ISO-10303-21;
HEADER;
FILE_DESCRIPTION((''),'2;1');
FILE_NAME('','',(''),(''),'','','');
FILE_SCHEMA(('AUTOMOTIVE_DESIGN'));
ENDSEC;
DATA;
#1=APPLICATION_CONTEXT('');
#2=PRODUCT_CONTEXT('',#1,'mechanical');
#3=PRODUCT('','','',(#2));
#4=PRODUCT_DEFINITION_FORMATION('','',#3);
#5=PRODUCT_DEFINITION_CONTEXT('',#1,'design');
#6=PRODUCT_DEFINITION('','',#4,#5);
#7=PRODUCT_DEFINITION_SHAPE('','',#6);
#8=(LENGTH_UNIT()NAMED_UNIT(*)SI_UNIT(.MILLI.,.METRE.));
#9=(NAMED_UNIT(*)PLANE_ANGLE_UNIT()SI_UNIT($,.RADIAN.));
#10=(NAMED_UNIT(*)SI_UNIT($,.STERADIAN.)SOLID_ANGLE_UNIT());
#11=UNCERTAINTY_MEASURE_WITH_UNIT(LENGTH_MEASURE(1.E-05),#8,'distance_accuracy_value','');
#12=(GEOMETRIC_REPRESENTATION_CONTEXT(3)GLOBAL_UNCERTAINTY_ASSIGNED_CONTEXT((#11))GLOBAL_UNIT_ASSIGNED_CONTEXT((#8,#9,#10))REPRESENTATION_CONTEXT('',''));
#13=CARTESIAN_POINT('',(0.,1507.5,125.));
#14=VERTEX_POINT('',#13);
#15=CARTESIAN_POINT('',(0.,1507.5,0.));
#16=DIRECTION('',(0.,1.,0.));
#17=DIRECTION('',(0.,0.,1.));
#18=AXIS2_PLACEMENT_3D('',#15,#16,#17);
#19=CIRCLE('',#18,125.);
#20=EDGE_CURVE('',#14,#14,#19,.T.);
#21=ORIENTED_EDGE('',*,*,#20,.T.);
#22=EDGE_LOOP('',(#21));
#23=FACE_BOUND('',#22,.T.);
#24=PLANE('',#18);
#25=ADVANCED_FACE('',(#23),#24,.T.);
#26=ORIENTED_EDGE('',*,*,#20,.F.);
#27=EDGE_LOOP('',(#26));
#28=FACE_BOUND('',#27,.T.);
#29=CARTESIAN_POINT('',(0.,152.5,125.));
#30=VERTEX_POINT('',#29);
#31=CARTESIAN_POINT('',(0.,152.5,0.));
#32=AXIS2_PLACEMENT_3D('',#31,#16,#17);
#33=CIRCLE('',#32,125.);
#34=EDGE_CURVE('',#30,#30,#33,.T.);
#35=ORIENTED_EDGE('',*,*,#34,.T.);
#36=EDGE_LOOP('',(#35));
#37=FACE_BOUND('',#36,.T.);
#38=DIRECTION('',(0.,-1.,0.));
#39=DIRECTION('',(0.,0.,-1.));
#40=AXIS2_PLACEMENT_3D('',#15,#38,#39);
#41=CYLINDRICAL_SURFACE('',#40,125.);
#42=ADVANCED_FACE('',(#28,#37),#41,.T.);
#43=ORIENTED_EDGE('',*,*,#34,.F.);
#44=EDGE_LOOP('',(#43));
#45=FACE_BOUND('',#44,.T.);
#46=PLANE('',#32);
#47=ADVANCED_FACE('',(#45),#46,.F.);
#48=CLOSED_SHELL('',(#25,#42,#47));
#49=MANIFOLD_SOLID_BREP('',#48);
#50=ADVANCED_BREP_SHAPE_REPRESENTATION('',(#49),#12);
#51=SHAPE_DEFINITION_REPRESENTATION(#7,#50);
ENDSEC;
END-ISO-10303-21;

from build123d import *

# Parameters (mm, degrees)
SKTUBOTELESCOPIO_R   = 125
TUBOTELESCOPIO_DEPTH = 1355


with BuildPart() as part:
    # SkTuboTelescopio → TuboTelescopio (new body)
    with BuildSketch(Plane(origin=(0, 152.5, 0), x_dir=(1, 0, 0), z_dir=(0, 1, 0))):
        with Locations(Location((0, 0, 0), (0, 0, 270))):
            Circle(SKTUBOTELESCOPIO_R)
    extrude(amount=TUBOTELESCOPIO_DEPTH)


solid = part.part
